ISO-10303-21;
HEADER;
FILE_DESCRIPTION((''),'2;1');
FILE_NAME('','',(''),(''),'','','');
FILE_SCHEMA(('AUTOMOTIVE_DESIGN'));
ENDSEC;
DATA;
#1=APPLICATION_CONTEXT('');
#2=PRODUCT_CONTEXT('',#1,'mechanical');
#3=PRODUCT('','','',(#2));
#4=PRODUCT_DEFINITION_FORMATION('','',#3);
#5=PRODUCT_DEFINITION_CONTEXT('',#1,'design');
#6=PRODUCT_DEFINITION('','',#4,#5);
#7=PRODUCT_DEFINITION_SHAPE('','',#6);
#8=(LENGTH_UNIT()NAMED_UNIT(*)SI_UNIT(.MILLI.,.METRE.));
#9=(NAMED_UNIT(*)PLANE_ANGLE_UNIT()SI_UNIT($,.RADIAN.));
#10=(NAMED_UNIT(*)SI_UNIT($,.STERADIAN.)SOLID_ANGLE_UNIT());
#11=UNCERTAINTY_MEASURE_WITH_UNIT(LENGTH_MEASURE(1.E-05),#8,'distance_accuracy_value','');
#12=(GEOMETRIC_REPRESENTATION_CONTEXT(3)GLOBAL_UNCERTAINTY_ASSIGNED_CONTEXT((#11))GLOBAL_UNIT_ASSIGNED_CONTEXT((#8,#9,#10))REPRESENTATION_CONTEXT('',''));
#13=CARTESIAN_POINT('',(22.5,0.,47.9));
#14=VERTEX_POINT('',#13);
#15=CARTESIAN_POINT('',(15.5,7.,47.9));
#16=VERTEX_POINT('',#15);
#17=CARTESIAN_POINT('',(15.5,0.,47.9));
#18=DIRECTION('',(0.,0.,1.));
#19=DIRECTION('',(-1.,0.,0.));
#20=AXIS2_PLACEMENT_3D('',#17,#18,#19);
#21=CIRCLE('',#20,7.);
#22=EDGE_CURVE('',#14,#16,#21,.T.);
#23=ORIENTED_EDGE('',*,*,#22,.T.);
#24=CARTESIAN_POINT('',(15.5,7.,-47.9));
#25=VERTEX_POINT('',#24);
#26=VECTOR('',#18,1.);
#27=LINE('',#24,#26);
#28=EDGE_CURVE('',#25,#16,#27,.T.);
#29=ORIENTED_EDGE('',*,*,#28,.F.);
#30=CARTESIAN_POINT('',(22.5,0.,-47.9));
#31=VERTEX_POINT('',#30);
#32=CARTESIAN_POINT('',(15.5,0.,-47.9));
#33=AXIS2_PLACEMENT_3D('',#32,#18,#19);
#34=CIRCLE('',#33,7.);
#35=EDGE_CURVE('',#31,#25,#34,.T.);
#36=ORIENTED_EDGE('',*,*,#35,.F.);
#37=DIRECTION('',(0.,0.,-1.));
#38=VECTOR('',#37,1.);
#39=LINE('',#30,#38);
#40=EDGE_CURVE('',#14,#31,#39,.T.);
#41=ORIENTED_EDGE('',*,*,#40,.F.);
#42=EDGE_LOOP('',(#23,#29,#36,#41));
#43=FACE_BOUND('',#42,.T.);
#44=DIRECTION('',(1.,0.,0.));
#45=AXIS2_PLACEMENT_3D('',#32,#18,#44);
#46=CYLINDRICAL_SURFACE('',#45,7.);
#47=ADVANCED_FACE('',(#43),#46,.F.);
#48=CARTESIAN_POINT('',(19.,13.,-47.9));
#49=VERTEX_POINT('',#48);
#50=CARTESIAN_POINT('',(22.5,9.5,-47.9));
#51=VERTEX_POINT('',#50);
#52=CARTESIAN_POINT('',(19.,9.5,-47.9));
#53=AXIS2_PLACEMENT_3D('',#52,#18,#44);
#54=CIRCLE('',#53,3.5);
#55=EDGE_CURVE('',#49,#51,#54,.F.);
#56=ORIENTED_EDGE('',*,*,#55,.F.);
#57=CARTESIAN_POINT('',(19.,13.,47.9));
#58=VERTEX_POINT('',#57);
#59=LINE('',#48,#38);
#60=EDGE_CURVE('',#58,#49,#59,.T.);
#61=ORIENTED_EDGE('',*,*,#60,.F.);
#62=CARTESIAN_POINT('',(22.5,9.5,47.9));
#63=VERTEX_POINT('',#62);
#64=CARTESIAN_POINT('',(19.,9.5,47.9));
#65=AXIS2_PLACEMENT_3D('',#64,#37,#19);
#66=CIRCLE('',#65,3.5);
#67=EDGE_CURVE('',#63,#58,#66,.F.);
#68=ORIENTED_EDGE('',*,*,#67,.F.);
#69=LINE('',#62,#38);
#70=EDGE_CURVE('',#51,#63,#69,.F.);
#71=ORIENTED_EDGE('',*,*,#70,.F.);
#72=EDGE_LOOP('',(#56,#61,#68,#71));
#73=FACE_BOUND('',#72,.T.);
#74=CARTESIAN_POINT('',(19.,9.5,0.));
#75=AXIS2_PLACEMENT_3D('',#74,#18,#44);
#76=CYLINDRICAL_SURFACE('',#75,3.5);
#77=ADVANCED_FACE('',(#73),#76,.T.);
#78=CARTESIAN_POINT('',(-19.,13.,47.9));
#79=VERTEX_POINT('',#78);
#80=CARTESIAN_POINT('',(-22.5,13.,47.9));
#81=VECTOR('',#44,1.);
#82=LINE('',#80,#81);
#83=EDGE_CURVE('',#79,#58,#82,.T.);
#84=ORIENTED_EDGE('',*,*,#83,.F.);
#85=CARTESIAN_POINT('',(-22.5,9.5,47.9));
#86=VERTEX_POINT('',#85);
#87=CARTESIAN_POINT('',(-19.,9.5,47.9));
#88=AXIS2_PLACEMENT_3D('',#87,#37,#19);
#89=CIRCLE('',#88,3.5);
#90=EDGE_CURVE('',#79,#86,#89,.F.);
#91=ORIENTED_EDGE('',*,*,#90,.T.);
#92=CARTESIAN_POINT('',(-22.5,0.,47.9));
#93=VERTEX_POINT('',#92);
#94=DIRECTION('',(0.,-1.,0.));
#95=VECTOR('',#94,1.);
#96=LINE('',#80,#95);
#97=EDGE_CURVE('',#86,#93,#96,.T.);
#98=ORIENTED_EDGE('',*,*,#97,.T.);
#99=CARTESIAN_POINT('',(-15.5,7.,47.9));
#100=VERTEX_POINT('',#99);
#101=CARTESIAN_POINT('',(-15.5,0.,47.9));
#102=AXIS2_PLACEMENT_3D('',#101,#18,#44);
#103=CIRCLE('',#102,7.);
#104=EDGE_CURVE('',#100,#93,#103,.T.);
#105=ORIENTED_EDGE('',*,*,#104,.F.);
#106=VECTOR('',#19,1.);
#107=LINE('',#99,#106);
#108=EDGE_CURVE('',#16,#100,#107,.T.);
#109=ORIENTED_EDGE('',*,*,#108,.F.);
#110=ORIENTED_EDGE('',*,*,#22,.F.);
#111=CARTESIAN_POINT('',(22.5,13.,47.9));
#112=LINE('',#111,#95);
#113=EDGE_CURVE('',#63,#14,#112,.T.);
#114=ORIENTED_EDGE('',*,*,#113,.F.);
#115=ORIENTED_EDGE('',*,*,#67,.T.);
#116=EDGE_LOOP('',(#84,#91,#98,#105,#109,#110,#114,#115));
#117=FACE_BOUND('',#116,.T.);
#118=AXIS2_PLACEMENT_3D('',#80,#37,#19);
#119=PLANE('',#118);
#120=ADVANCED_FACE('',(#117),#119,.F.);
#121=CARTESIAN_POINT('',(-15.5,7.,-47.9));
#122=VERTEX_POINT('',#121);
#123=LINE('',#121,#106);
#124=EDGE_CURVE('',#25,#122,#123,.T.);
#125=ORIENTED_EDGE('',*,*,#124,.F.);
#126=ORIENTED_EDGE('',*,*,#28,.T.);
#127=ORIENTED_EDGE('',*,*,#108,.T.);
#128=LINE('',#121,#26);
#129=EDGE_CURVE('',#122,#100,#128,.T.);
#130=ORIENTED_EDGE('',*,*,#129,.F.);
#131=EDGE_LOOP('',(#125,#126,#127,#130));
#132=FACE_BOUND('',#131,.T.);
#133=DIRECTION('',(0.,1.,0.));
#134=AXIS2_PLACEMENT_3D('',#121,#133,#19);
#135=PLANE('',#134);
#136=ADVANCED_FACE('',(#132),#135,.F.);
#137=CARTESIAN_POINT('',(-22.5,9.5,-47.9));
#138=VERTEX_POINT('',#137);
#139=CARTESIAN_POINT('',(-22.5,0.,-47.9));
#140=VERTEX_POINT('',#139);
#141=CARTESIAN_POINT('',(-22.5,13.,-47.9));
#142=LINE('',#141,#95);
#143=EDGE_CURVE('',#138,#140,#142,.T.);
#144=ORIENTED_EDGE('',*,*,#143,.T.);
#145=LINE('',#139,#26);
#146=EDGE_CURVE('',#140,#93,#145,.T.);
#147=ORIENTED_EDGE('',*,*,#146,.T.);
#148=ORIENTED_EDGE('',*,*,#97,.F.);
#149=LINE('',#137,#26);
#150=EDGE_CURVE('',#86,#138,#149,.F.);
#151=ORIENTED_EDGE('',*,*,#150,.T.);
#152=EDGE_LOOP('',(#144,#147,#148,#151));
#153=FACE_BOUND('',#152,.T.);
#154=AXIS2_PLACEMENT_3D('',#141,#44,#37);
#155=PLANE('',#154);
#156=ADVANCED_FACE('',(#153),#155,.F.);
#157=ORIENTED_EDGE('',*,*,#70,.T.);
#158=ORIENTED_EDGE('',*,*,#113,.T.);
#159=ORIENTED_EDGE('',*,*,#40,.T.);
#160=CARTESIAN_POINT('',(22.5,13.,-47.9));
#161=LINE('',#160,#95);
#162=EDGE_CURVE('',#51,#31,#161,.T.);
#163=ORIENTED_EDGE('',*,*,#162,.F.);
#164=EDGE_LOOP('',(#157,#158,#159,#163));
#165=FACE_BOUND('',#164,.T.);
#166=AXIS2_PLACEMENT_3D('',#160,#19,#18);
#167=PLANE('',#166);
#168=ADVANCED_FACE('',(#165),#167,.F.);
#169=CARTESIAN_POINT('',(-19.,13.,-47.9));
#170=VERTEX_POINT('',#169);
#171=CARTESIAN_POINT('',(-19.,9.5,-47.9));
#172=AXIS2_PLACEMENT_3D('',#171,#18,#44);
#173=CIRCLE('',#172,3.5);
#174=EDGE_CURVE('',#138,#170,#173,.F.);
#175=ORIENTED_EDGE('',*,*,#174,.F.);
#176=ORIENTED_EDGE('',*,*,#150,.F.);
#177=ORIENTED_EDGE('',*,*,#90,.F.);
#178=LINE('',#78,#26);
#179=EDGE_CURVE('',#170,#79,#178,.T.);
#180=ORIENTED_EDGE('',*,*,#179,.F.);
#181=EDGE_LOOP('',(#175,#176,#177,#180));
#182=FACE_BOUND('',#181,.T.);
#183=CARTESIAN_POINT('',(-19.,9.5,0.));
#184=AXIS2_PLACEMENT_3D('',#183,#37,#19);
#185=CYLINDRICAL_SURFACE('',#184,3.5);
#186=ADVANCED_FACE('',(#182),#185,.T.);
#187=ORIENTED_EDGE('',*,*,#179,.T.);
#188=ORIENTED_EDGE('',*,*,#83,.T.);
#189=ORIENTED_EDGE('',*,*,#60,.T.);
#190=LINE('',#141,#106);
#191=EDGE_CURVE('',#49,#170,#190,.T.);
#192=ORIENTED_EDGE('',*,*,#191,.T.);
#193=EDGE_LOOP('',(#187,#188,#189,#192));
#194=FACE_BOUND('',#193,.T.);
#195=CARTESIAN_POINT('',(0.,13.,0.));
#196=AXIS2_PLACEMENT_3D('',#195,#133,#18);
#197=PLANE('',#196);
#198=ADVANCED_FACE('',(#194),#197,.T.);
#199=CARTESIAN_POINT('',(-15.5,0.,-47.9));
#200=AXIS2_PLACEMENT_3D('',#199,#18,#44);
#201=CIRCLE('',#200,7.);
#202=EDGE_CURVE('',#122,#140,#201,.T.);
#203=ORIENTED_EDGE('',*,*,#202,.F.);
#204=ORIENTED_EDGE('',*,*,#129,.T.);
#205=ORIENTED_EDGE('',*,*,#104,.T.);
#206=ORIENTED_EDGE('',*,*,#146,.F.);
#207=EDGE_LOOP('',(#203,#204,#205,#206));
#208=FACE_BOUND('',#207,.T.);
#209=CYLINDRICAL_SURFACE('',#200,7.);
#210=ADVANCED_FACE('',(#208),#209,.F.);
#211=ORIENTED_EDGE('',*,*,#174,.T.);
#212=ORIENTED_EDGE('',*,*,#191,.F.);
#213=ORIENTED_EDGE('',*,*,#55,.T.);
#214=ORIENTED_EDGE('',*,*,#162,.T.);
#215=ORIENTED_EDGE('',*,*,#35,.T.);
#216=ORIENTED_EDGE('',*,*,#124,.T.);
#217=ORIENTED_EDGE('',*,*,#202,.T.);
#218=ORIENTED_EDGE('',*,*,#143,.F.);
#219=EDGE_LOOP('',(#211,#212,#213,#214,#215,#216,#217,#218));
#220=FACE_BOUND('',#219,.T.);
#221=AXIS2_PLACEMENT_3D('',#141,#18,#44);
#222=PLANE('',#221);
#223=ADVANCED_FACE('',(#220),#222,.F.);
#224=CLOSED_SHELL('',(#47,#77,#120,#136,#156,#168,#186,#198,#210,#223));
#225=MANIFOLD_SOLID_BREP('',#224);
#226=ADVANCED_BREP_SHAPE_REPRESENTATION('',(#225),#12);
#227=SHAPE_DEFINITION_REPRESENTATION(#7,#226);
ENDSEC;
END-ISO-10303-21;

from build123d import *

# Parameters (mm, degrees)
SKETCH1_W           = 45
SKETCH1_H           = 95.8
BOSS_EXTRUDE1_DEPTH = 13
CUT_EXTRUDE1_DEPTH  = 96.8
FILLET2_R           = 3.5


with BuildPart() as part:
    # Sketch1 → Boss-Extrude1 (new body)
    with BuildSketch(Plane(origin=(0, 0, 0), x_dir=(1, 0, 0), z_dir=(0, 1, 0))):
        Rectangle(SKETCH1_W, SKETCH1_H)
    extrude(amount=BOSS_EXTRUDE1_DEPTH)

    # Sketch15 → Cut-Extrude1 (cut, through all)
    with BuildSketch(Plane.XY.offset(47.9)):
        with BuildLine():
            Line((-15.5, 7), (15.5, 7))
            ThreePointArc((15.5, 7), (20.449747468, 4.949747468), (22.5, 0))
            Line((22.5, 0), (-22.5, 0))
            ThreePointArc((-22.5, 0), (-20.449747468, 4.949747468), (-15.5, 7))
        make_face()
    extrude(amount=-CUT_EXTRUDE1_DEPTH, mode=Mode.SUBTRACT)

    # Fillet2
    fillet2_edges = [part.edges().sort_by_distance(p)[0] for p in [
        (22.5, 13, 0),
        (-22.5, 13, 0),
    ]]
    fillet(fillet2_edges, radius=FILLET2_R)


solid = part.part
